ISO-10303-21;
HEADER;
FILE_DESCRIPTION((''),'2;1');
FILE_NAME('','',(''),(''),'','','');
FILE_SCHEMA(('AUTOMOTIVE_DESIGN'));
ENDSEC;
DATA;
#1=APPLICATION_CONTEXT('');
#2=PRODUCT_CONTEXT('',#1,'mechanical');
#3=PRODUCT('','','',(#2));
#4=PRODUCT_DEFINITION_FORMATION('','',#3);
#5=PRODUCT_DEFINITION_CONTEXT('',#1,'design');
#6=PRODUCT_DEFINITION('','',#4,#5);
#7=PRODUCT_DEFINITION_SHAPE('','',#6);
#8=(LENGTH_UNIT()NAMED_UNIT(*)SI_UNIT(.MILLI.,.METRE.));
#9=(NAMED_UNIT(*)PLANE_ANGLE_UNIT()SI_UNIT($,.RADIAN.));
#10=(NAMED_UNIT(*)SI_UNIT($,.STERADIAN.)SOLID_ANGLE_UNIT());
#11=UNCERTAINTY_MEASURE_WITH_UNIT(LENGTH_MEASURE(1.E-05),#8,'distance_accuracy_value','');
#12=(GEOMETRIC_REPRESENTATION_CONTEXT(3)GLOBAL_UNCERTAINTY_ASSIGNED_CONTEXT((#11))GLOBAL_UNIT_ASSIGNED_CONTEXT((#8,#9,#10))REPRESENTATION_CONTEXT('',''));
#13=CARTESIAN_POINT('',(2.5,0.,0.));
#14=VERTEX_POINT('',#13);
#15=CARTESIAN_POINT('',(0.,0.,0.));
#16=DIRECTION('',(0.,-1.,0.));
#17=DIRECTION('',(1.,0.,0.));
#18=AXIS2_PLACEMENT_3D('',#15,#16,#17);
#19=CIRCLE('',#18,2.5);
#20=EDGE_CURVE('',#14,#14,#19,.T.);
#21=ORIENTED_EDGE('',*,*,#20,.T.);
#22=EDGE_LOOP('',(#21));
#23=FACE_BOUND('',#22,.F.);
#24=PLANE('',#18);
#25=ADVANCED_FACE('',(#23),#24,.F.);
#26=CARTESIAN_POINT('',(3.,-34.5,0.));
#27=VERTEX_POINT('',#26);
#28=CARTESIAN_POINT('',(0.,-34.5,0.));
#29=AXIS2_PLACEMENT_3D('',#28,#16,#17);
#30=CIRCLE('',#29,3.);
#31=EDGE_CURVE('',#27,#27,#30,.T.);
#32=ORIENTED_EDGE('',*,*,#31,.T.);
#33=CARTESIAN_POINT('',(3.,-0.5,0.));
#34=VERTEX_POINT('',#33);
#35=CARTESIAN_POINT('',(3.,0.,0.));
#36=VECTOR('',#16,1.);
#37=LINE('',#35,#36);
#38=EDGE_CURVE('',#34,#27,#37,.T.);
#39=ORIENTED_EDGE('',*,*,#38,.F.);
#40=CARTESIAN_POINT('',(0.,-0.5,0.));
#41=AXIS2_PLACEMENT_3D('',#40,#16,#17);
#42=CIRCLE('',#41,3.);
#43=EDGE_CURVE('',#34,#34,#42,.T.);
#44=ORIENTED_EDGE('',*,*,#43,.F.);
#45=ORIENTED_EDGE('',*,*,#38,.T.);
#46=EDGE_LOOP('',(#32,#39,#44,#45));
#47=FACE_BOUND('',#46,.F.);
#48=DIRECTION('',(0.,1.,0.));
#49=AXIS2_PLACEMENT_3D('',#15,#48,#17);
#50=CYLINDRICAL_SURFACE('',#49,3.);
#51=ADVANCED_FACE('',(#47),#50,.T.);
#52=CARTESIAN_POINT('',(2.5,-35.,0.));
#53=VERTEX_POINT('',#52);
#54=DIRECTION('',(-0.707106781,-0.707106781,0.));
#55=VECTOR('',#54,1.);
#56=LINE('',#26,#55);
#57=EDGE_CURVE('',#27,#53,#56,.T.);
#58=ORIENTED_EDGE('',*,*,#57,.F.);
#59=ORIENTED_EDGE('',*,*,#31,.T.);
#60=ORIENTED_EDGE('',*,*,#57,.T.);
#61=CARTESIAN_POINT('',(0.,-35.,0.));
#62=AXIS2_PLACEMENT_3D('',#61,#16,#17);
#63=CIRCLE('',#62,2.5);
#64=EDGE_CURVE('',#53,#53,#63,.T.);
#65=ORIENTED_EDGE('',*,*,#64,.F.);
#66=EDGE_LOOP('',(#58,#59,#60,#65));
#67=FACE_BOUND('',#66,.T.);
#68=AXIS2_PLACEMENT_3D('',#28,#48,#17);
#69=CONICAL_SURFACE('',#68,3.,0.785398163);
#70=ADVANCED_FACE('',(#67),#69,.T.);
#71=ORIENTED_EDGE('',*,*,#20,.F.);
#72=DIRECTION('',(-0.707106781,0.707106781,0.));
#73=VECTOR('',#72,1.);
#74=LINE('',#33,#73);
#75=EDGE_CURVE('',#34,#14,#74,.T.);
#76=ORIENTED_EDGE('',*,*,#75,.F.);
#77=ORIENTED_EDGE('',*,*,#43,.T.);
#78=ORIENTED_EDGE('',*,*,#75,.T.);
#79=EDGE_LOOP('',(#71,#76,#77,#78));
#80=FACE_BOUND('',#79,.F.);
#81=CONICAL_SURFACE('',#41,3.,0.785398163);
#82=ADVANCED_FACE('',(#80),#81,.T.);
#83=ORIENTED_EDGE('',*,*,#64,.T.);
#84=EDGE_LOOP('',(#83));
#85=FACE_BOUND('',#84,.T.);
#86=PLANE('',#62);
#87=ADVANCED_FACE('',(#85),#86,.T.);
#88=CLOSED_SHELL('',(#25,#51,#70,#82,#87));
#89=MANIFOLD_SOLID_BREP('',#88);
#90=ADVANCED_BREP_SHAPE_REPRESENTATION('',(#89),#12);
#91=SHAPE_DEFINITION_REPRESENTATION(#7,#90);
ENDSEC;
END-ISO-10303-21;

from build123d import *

# Parameters (mm, degrees)
F0_R     = 3
F1_DEPTH = 35
F2_SIZE  = 0.5
F3_SIZE  = 0.5


with BuildPart() as f1:
    # F0 (on Front) → F1 (new body)
    with BuildSketch(Plane.XZ):
        Circle(F0_R)
    extrude(amount=F1_DEPTH)

    # F2
    f2_edges = [f1.edges().sort_by_distance(p)[0] for p in [
        (-3, -35, 0),
    ]]
    chamfer(f2_edges, length=F2_SIZE)

    # F3
    f3_edges = [f1.edges().sort_by_distance(p)[0] for p in [
        (-3, 0, 0),
    ]]
    chamfer(f3_edges, length=F3_SIZE)


solid = f1.part
